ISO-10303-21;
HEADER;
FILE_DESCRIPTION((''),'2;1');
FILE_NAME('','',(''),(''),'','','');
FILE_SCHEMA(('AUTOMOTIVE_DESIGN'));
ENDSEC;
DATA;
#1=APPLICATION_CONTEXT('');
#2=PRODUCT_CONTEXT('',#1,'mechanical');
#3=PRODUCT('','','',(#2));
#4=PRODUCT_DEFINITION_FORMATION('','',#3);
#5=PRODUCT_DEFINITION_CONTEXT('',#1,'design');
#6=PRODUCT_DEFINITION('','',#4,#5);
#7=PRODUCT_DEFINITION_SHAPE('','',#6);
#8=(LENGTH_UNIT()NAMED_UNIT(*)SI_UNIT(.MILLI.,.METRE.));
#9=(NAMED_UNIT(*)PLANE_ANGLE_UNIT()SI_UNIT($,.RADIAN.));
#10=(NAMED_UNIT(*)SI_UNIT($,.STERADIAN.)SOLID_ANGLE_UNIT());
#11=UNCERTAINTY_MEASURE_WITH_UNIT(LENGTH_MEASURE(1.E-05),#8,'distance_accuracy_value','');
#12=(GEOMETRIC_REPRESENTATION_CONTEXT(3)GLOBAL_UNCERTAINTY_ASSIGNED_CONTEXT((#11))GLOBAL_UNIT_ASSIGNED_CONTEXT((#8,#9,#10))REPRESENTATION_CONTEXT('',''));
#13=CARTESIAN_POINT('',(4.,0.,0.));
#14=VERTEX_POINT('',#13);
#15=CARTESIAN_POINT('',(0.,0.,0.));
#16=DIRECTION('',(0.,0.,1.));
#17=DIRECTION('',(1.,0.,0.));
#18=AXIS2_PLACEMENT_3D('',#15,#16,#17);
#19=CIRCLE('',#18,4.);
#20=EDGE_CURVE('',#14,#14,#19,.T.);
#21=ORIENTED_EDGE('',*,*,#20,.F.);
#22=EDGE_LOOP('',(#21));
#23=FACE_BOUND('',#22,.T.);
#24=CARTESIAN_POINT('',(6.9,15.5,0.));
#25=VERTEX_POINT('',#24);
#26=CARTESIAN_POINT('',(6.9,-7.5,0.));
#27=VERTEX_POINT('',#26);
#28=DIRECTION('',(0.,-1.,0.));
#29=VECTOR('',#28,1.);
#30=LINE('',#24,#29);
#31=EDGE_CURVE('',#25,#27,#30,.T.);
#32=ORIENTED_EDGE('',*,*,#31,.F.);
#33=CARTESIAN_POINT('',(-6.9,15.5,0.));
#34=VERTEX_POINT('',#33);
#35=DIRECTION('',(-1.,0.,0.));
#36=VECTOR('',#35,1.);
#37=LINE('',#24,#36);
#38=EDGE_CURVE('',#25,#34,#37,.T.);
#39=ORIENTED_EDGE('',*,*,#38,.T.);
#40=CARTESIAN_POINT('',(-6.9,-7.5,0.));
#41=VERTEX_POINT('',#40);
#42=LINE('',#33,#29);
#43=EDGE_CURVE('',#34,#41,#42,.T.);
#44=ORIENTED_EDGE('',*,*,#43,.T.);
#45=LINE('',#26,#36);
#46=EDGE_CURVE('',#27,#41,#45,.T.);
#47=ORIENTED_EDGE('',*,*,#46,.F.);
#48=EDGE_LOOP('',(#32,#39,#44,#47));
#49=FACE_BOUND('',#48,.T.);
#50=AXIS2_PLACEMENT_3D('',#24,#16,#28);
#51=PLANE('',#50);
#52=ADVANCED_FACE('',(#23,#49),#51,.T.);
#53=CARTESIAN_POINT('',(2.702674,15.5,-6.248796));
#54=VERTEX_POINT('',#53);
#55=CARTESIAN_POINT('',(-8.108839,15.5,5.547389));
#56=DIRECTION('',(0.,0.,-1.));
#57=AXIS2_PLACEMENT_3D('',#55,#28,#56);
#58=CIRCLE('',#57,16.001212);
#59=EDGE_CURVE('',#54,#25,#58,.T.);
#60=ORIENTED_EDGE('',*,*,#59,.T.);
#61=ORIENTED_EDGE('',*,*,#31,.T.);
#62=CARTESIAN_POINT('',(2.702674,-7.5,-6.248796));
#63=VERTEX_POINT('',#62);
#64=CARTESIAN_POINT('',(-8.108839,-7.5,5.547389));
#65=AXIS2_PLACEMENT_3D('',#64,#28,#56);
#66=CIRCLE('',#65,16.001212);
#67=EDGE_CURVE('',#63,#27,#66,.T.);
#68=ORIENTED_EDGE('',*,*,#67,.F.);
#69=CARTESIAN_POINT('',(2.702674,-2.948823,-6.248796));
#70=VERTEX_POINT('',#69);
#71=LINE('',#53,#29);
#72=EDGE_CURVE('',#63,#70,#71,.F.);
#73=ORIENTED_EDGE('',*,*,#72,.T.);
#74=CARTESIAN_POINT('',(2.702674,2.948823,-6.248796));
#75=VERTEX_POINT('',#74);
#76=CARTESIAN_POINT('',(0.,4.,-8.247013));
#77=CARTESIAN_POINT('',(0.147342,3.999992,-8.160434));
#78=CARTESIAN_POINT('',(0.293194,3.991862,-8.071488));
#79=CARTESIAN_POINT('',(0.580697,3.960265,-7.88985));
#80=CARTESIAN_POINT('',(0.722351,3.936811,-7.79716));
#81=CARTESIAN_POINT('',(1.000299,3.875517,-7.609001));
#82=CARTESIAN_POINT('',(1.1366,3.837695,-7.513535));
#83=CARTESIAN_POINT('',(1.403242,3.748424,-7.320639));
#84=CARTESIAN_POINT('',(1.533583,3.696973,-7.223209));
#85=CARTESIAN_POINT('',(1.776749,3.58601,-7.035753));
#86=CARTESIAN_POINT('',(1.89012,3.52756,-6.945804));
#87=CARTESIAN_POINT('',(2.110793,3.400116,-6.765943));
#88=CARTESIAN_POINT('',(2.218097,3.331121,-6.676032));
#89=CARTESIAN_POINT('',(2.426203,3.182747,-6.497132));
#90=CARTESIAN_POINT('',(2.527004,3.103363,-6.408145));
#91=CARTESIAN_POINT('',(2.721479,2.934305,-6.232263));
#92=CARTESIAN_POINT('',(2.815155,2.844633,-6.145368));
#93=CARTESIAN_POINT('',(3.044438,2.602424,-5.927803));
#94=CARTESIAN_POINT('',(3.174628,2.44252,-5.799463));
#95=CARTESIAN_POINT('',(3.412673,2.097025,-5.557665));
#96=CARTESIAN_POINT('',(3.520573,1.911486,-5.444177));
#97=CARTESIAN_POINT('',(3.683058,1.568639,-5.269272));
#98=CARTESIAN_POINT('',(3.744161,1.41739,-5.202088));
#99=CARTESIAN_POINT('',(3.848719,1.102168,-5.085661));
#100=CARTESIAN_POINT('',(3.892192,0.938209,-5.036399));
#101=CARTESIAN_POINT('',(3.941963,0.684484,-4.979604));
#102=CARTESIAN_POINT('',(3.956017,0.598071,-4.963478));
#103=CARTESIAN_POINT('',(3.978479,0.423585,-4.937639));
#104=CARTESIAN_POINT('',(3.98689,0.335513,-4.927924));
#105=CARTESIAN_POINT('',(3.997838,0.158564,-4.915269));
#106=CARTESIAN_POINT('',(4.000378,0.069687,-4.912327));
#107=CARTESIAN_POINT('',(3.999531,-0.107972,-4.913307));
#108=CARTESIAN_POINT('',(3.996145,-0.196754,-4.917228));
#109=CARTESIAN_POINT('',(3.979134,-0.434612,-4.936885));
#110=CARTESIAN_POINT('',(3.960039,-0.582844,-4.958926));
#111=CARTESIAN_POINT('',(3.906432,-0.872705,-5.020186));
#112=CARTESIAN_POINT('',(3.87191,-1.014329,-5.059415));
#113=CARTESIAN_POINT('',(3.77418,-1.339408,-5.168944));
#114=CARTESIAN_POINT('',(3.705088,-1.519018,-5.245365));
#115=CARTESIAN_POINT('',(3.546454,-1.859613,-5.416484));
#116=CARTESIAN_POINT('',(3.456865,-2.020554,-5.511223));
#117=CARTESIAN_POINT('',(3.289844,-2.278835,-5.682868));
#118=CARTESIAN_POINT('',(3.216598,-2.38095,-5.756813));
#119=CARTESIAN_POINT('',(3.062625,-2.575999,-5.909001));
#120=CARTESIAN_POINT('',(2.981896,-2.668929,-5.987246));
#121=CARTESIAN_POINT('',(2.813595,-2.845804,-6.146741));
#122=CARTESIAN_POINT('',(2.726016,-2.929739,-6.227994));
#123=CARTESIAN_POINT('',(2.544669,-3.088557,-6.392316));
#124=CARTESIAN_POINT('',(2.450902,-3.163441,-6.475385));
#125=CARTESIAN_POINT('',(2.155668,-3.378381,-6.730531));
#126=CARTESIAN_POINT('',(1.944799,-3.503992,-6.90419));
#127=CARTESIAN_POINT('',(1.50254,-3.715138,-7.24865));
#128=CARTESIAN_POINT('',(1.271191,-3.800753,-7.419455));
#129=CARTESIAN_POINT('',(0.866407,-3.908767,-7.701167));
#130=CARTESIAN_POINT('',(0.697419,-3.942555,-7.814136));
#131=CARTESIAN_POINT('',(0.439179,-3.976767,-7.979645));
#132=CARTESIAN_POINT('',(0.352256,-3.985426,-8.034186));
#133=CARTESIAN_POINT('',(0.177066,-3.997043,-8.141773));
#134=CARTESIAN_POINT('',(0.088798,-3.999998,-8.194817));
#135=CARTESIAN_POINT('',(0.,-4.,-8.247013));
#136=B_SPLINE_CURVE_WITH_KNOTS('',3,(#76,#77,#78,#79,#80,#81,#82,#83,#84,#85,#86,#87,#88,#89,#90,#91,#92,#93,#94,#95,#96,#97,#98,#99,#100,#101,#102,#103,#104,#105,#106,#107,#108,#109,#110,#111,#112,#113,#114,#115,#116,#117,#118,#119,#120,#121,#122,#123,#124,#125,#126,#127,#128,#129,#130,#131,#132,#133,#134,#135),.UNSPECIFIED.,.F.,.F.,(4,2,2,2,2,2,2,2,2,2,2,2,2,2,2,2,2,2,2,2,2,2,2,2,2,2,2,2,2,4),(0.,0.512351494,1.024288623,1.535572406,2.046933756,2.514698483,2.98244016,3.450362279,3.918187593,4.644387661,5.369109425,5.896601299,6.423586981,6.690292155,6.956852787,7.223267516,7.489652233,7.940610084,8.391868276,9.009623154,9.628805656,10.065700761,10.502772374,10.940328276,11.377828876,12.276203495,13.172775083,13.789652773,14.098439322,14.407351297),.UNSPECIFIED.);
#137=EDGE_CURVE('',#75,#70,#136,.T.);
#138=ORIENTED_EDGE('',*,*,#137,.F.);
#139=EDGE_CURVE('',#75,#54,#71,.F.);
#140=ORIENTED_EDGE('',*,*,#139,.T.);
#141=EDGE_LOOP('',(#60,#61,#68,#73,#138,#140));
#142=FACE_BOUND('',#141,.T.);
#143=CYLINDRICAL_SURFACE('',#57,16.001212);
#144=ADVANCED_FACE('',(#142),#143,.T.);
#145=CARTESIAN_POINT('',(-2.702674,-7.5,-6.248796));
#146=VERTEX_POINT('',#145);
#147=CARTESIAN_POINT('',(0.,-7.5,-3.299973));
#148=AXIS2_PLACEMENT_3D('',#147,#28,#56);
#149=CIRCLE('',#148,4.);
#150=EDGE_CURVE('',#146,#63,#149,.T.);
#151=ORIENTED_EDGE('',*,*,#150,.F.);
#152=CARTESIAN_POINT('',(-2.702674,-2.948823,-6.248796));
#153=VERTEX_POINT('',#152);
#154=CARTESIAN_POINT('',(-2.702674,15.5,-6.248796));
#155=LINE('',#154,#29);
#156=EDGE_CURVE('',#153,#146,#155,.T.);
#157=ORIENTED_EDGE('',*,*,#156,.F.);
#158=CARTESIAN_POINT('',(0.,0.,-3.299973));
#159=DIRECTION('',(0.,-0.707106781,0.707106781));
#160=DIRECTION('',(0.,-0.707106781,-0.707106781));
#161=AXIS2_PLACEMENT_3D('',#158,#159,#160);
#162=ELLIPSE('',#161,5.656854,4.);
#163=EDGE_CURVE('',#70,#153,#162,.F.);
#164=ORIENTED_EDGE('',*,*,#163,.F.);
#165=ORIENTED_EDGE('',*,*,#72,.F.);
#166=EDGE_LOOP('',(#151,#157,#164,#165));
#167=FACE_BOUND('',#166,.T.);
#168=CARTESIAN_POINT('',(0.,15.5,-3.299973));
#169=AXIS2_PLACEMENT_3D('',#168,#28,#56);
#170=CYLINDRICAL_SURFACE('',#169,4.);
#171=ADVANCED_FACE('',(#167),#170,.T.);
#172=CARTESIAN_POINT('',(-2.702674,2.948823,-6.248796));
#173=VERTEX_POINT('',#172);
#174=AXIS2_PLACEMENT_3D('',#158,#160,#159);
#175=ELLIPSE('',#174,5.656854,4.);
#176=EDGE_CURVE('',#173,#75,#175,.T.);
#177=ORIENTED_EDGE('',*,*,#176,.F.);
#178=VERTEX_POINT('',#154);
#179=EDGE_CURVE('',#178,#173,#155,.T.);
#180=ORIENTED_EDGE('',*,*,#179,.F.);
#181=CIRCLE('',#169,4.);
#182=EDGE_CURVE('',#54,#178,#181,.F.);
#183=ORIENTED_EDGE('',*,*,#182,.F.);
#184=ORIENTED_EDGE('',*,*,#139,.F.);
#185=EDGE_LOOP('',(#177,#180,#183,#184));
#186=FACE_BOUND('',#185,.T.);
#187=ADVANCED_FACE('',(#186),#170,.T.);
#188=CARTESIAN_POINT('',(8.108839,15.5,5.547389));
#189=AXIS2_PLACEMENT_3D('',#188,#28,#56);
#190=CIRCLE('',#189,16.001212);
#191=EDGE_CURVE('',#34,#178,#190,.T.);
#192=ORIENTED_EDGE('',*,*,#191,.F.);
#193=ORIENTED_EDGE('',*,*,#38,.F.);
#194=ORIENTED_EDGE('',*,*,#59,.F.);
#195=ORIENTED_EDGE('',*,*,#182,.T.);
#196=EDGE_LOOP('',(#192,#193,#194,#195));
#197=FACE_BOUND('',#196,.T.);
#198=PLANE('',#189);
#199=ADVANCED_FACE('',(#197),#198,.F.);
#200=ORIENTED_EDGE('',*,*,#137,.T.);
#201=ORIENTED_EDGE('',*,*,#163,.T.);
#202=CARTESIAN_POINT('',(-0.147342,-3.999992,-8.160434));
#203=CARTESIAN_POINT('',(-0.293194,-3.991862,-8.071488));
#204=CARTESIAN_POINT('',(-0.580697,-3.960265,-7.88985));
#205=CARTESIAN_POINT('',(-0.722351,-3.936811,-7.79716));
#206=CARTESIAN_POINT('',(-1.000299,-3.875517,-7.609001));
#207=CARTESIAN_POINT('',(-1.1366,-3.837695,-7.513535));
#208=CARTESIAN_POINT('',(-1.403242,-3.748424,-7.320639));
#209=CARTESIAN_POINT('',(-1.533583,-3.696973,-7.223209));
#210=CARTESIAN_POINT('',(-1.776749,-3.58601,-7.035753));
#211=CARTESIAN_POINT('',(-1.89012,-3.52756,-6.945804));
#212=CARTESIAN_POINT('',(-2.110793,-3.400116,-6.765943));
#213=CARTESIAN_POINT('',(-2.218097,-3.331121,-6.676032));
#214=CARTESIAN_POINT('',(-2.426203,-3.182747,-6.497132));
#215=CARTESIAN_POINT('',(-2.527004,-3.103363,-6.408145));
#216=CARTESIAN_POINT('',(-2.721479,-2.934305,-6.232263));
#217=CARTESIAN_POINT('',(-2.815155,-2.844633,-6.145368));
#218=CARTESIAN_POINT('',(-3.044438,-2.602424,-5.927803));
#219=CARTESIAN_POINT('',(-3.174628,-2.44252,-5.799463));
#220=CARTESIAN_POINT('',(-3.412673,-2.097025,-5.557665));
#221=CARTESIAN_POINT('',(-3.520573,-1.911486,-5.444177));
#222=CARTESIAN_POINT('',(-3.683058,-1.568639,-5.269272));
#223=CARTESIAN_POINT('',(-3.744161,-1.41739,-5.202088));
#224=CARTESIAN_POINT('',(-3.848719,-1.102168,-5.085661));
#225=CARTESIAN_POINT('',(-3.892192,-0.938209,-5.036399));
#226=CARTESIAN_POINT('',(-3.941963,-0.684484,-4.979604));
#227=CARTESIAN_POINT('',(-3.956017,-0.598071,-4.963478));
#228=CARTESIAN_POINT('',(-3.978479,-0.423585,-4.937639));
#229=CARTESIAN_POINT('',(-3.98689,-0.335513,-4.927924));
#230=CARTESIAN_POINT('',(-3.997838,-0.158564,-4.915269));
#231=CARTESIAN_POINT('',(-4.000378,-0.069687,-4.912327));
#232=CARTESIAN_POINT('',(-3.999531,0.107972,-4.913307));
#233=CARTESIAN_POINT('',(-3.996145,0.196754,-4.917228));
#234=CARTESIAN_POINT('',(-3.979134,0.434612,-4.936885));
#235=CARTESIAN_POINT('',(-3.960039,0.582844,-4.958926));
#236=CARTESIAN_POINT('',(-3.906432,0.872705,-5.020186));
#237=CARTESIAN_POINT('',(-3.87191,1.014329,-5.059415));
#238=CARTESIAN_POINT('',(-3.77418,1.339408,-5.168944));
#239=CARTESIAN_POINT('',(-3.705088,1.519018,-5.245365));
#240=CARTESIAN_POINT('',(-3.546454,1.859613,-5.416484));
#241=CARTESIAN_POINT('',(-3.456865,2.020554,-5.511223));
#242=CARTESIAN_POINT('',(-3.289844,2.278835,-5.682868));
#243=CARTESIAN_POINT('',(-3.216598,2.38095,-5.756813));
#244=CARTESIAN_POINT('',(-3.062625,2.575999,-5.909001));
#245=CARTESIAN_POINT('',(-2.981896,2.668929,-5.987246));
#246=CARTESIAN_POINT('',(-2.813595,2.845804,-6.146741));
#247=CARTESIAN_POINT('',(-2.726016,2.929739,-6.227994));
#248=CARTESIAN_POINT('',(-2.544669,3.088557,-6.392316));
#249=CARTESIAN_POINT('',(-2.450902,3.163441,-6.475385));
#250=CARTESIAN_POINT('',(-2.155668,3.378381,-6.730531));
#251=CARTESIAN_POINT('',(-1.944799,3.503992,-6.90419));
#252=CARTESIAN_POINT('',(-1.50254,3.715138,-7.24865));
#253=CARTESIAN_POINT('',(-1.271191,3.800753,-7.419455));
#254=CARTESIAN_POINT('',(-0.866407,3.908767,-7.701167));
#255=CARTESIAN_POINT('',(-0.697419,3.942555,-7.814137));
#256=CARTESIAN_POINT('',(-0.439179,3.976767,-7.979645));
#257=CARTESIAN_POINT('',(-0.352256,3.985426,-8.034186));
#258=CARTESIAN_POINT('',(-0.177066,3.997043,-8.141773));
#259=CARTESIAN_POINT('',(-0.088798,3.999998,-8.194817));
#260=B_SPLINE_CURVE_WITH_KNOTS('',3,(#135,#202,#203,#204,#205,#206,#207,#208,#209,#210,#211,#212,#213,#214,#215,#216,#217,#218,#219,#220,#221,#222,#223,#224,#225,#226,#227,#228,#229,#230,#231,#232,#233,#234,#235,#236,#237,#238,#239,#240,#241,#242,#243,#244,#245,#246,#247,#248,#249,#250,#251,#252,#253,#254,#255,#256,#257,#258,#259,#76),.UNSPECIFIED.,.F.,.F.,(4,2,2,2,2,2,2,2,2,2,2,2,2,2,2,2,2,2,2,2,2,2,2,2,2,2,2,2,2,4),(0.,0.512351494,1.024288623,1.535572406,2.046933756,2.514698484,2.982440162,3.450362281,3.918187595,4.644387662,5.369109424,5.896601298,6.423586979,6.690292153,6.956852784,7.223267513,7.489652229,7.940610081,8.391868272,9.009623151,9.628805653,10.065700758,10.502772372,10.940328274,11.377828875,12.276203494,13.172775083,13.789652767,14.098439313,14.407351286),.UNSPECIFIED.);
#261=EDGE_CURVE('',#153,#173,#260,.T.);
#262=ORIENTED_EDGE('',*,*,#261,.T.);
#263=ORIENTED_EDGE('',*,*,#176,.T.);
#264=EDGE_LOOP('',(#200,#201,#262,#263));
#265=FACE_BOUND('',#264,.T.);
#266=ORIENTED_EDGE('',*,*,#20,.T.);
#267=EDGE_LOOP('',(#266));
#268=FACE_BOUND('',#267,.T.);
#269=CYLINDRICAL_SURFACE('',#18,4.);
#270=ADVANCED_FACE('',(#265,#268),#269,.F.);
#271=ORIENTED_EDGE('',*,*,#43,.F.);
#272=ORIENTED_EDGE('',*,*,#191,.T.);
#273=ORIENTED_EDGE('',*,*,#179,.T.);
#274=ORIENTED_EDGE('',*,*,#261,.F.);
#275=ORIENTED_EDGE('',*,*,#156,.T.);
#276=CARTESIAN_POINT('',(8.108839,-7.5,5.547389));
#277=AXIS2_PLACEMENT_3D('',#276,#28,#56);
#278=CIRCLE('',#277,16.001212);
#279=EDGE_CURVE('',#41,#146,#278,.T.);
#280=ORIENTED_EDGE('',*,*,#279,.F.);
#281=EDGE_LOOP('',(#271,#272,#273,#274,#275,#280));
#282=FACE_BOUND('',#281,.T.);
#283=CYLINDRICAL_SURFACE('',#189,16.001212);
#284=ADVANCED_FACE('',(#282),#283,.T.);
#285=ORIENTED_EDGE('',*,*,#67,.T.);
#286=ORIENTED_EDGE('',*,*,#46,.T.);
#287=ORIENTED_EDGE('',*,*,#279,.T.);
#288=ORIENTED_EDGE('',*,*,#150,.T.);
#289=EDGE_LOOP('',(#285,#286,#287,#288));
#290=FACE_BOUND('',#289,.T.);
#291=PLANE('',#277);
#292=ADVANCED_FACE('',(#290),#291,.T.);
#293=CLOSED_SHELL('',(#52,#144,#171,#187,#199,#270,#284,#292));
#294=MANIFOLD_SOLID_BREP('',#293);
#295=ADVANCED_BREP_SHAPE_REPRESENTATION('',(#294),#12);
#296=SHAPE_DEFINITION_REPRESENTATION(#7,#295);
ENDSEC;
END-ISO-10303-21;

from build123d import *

# Parameters (mm, degrees)
BOSS_EXTRUDE1_DEPTH      = 23
F_8_0_8_DIAMETER_HOLE1_D = 8
FILLET1_R                = 3.99999999


with BuildPart() as part:
    # Sketch1 → Boss-Extrude1 (new body)
    with BuildSketch(Plane.XZ.offset(7.5)):
        with BuildLine():
            Line((6.9, 0), (-6.9, 0))
            ThreePointArc((-6.9, 0), (-4.163490138, -4.720459639), (-3e-09, -8.247012535))
            ThreePointArc((-3e-09, -8.247012535), (4.163490136, -4.720459641), (6.9, 0))
        make_face()
    extrude(amount=-BOSS_EXTRUDE1_DEPTH)

    # Ø8.0 (8) Diameter Hole1 (through all)
    with Locations(Plane.XY):
        with Locations((0, 0)):
            Hole(F_8_0_8_DIAMETER_HOLE1_D / 2)

    # Fillet1
    fillet1_edges = [part.edges().sort_by_distance(p)[0] for p in [
        (-3e-09, 9.75, -8.247012535),
        (-3e-09, -5.75, -8.247012535),
    ]]
    fillet(fillet1_edges, radius=FILLET1_R)


solid = part.part
